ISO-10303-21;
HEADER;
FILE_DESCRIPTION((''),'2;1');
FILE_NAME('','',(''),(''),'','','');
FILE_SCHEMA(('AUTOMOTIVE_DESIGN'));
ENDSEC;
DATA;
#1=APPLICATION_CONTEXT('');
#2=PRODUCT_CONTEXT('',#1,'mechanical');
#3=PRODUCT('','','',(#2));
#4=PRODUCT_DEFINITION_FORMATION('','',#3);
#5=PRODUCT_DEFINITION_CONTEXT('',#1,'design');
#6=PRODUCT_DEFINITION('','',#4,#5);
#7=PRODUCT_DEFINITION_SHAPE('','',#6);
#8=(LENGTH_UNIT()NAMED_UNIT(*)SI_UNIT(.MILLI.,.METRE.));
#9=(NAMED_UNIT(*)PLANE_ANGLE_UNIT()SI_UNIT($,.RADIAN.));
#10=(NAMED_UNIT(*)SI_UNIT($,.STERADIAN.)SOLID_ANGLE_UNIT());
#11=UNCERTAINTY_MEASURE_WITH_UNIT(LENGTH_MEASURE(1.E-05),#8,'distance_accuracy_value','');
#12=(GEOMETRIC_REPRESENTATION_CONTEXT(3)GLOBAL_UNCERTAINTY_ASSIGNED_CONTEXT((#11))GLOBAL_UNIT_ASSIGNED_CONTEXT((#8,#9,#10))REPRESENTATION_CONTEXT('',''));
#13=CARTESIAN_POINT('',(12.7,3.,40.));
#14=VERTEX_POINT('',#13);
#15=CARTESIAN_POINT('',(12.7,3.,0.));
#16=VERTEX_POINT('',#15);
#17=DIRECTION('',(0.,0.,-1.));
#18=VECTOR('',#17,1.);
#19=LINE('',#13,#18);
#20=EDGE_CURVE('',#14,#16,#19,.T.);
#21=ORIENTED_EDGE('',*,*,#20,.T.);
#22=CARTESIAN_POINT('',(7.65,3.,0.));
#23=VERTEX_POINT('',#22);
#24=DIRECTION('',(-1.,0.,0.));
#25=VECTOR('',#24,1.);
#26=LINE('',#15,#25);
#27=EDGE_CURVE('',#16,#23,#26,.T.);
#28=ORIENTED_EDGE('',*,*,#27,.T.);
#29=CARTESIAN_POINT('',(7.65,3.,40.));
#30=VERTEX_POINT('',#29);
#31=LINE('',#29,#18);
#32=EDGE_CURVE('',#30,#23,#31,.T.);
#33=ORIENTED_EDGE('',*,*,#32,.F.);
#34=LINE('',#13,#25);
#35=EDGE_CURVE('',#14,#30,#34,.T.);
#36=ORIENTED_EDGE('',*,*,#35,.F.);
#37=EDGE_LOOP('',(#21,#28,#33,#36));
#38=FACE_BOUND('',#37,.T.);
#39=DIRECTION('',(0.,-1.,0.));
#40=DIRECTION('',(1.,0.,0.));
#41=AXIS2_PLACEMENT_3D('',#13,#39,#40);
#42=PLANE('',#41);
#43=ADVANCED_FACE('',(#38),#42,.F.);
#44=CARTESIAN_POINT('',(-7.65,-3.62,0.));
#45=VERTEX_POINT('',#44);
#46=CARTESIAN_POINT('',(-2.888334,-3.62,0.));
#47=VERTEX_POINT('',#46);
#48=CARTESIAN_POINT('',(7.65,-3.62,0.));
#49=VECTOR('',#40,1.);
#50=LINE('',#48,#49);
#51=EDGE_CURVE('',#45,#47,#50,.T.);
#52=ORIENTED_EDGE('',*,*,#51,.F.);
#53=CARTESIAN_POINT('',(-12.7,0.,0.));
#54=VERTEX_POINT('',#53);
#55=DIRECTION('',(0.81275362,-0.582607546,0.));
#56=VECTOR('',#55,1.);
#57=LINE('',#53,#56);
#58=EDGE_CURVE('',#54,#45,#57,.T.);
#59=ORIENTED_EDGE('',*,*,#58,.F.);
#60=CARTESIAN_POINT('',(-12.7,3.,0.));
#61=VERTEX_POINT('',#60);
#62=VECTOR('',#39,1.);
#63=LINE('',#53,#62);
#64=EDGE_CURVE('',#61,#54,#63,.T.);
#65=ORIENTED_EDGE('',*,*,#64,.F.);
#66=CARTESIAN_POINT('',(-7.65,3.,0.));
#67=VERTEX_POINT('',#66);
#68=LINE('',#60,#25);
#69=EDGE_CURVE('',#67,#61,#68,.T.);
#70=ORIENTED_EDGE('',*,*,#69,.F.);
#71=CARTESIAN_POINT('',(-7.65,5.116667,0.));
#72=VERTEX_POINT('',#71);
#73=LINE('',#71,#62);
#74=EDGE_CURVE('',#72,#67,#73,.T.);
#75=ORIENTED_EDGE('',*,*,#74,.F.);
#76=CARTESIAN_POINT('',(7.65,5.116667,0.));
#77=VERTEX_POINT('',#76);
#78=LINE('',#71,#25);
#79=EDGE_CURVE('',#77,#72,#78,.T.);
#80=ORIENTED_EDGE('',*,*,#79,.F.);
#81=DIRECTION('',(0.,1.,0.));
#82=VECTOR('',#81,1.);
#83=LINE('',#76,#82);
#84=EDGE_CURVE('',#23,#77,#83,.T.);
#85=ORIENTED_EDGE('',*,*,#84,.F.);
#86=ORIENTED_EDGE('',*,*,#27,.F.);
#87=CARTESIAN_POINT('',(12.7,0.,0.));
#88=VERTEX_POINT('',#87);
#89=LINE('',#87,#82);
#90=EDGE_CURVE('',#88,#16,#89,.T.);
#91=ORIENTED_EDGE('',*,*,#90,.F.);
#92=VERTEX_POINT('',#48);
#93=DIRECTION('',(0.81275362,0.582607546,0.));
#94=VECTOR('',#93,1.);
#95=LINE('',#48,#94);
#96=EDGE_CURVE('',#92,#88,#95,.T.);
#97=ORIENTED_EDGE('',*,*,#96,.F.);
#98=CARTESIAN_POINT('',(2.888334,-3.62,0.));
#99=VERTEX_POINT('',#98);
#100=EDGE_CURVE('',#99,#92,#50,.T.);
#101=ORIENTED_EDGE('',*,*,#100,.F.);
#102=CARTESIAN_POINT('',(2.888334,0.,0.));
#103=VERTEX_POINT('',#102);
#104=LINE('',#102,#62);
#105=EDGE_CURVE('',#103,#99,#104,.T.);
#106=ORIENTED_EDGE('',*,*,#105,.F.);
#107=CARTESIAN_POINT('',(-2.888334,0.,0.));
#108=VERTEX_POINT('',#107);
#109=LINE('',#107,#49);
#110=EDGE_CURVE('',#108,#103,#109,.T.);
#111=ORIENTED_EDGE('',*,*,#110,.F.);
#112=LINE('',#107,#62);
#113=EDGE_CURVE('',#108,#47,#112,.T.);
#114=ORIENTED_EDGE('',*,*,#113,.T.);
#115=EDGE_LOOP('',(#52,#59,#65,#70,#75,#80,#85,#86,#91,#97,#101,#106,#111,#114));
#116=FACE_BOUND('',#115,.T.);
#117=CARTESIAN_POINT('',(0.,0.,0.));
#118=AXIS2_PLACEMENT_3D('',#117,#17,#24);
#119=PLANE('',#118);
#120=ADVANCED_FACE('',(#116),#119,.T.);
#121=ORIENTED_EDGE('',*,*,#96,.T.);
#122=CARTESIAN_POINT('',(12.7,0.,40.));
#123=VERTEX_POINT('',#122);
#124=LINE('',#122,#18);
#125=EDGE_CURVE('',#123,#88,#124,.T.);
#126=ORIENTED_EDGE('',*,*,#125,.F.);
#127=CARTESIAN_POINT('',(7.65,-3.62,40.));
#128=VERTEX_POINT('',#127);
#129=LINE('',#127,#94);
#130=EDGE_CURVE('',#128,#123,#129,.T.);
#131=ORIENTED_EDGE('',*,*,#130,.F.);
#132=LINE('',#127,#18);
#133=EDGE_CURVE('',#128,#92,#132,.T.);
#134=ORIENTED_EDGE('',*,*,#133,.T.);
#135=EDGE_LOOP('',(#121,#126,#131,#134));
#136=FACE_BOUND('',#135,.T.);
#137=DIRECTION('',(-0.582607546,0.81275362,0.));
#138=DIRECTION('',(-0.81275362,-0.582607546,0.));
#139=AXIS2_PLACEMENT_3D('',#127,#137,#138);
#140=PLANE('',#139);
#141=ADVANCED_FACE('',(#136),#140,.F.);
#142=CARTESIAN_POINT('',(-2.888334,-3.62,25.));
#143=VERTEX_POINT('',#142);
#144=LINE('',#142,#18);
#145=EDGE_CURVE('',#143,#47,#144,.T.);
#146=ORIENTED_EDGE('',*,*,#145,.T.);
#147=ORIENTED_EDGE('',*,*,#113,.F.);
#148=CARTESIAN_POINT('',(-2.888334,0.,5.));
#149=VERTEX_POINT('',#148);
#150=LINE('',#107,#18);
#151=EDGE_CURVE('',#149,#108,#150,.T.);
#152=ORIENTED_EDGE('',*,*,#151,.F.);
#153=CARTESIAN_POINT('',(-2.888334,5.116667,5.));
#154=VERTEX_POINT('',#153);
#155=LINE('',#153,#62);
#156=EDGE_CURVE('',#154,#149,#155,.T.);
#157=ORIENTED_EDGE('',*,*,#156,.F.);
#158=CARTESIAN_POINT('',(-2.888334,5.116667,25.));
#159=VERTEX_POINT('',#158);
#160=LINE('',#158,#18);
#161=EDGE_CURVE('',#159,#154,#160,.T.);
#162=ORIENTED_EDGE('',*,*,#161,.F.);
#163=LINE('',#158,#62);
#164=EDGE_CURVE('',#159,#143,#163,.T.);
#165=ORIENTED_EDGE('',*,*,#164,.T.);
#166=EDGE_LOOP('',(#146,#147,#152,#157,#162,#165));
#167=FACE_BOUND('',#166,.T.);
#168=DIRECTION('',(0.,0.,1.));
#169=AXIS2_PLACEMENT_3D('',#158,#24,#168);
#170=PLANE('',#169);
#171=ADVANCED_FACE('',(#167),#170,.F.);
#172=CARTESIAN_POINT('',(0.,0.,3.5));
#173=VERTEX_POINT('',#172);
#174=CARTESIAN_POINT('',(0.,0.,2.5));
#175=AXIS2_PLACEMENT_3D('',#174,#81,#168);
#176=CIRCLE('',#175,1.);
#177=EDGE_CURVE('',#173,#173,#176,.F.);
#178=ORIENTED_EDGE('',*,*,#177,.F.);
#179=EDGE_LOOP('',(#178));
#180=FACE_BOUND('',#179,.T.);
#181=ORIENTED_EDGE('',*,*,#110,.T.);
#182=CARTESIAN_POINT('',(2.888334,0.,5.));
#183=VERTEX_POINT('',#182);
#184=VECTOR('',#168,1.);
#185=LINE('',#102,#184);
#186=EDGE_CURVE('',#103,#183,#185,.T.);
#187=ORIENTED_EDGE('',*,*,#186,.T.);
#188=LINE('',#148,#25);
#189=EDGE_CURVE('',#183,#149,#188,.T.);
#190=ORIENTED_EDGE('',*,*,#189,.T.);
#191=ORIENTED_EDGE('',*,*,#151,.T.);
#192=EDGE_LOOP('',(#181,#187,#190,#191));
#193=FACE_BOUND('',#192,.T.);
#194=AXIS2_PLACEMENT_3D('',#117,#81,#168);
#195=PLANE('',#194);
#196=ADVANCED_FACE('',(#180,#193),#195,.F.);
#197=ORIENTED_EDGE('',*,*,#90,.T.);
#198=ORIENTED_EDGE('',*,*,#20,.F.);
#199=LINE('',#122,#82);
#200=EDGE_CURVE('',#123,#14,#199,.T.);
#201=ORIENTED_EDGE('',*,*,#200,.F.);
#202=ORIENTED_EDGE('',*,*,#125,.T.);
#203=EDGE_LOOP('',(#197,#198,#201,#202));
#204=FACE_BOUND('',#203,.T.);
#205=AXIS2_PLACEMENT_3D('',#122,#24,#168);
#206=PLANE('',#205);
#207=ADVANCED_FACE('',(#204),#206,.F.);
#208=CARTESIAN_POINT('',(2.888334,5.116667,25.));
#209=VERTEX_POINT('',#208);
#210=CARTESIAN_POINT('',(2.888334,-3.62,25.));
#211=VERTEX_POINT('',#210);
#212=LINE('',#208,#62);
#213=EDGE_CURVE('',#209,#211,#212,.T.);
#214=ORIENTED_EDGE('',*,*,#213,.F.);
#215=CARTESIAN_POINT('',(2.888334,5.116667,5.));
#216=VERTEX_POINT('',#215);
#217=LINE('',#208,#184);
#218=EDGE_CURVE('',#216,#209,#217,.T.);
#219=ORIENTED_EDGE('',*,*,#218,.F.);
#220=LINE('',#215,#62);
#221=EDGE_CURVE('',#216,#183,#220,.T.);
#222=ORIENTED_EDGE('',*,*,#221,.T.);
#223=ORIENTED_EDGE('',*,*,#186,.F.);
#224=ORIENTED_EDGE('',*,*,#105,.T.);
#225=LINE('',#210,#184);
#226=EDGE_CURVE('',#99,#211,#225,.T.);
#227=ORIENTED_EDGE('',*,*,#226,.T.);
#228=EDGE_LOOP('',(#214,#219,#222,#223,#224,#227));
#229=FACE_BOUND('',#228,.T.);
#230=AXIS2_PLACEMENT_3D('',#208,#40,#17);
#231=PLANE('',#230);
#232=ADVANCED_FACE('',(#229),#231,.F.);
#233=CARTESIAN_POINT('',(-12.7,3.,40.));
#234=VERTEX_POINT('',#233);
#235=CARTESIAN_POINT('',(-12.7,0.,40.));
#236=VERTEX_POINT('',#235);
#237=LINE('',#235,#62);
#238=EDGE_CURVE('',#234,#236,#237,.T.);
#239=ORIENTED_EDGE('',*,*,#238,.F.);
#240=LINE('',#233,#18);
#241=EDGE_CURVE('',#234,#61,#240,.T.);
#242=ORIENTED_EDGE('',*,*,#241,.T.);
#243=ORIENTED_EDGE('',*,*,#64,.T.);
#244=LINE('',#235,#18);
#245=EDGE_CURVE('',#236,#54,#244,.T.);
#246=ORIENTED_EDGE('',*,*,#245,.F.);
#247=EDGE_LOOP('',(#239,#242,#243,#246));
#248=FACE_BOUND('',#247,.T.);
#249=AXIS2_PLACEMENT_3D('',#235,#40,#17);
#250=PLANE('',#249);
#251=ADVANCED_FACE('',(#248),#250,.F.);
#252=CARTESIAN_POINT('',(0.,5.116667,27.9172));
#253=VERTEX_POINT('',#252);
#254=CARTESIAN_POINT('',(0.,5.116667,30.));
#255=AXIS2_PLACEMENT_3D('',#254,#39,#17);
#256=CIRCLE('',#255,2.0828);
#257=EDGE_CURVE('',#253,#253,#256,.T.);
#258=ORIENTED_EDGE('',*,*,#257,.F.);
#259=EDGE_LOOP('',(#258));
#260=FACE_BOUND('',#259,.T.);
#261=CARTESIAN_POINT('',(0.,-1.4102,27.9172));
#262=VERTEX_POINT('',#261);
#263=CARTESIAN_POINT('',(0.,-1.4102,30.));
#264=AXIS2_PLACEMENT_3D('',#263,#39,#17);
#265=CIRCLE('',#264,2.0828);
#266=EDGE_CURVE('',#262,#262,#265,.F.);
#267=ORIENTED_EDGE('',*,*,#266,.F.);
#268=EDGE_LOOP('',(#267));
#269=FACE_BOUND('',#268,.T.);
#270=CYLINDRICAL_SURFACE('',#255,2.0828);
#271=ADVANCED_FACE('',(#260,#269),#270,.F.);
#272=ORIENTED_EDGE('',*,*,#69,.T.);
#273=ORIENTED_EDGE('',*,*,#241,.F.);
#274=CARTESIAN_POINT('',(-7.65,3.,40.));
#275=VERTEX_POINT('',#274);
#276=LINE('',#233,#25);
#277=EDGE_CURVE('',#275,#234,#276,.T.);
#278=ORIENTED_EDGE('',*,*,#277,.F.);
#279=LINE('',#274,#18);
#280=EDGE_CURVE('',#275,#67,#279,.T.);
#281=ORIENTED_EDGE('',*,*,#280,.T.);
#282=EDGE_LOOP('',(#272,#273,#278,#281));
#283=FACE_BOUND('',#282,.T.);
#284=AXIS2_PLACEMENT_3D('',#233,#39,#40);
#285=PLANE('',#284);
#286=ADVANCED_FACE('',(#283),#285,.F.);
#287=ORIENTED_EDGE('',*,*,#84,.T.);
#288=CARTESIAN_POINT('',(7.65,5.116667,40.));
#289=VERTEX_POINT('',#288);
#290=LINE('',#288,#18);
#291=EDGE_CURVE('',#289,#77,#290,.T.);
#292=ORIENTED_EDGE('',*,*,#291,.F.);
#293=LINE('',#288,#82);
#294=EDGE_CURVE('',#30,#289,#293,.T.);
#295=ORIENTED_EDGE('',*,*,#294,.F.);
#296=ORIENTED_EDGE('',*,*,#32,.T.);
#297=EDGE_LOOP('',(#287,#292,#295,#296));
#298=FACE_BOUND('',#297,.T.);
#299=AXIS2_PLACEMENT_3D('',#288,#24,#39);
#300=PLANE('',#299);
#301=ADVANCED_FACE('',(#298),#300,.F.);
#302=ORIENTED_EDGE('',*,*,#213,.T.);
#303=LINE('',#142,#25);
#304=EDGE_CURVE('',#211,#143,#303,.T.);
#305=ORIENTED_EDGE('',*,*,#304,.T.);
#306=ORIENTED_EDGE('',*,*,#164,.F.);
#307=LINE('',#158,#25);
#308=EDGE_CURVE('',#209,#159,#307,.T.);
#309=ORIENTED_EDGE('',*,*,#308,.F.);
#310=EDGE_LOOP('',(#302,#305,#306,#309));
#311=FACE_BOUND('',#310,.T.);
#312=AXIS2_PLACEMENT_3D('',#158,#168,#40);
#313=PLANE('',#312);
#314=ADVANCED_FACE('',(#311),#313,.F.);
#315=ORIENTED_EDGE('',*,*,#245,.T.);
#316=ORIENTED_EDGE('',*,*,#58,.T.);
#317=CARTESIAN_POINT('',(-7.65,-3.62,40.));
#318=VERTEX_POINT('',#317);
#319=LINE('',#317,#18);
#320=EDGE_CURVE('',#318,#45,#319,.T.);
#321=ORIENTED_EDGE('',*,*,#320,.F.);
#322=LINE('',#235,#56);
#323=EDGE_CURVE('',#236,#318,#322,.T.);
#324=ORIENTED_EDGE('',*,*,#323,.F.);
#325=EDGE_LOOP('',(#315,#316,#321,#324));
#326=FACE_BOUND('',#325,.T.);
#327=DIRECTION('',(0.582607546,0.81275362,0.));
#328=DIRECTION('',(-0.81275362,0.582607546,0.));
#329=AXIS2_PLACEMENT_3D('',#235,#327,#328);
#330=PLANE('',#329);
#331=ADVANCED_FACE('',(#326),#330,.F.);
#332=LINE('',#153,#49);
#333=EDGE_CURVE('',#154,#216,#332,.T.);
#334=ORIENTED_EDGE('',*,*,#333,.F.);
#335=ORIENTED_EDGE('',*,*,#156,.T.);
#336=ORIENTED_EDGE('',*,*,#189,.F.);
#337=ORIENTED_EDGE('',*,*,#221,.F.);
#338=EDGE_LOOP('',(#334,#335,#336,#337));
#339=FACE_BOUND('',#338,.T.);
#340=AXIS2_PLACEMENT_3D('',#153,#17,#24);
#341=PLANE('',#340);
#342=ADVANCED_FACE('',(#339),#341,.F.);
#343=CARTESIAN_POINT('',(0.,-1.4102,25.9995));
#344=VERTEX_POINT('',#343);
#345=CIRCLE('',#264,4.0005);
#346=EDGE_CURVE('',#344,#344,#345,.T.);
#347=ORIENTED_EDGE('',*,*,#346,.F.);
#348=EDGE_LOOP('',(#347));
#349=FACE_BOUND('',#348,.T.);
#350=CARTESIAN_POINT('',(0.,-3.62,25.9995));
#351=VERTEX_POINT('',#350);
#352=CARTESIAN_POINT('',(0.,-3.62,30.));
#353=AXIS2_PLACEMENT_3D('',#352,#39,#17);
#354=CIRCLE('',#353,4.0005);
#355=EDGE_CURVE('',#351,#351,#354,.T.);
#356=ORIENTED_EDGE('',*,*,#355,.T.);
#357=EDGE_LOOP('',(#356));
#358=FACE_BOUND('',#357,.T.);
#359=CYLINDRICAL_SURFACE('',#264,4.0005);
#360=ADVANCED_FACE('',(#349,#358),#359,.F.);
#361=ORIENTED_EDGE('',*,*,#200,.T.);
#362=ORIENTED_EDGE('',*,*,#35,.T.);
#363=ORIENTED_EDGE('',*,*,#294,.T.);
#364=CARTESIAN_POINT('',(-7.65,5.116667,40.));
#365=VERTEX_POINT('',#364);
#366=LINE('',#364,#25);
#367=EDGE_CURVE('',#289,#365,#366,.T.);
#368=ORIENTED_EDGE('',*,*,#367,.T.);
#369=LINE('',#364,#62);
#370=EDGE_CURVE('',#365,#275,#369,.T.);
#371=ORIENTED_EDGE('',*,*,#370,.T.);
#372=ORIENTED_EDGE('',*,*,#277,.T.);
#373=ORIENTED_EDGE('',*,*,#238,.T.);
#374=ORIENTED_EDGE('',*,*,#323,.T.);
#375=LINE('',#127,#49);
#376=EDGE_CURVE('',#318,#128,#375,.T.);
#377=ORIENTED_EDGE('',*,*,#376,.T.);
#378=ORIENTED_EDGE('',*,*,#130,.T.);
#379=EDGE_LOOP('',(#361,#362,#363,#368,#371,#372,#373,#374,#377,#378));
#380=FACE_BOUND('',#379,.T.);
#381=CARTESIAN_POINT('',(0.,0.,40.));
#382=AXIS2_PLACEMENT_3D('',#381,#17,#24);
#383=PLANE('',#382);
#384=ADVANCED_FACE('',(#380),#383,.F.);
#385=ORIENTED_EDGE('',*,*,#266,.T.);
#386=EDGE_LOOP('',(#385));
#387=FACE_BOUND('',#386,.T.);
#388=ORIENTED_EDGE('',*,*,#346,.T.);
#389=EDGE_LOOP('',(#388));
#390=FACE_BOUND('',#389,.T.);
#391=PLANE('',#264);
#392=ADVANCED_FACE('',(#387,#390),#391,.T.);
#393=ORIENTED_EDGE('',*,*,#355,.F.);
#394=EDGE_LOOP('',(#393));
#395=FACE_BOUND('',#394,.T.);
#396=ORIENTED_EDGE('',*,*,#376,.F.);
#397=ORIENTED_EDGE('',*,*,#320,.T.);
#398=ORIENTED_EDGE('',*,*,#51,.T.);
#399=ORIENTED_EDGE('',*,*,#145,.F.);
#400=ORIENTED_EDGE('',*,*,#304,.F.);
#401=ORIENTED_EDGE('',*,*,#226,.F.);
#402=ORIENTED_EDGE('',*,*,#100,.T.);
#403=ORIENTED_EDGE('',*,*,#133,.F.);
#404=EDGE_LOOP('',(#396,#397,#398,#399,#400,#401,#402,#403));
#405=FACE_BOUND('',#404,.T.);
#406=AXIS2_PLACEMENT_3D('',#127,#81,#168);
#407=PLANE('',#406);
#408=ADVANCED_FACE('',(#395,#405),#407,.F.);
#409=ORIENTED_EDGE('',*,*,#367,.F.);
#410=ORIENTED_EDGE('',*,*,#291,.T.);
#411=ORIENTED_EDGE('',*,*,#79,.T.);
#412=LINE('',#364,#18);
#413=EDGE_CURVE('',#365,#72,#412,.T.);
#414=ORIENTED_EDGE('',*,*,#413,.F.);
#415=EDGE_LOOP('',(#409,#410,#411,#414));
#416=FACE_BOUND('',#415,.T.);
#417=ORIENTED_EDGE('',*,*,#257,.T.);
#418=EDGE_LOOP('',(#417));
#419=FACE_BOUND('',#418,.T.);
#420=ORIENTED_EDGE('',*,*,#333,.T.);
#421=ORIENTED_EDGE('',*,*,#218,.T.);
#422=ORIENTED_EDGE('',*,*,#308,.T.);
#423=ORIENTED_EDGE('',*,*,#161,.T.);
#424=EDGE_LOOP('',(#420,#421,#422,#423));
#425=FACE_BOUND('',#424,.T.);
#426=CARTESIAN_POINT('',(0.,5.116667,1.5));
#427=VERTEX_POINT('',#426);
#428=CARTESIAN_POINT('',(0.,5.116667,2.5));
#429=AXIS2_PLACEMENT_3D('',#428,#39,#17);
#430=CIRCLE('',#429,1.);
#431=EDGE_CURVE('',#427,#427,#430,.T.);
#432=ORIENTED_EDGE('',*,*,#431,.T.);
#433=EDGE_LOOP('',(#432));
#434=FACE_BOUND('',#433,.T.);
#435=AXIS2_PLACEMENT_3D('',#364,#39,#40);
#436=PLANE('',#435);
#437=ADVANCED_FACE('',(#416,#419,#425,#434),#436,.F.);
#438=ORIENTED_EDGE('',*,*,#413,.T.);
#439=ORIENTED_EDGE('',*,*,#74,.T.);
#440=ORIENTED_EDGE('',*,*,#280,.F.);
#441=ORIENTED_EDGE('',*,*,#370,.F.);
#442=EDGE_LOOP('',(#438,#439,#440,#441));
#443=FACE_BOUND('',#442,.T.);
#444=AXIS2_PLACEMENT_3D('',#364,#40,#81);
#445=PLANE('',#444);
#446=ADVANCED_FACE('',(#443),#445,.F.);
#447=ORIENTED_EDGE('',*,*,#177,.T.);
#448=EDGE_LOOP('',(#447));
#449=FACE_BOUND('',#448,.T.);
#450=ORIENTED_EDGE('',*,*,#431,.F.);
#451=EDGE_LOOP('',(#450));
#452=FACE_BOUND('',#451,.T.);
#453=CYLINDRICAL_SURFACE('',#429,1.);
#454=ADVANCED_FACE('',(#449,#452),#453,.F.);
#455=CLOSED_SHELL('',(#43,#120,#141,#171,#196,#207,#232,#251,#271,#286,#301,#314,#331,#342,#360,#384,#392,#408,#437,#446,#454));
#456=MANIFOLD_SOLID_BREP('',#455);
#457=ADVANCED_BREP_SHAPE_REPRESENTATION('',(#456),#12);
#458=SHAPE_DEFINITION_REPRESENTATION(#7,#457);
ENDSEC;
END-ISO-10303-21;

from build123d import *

# Parameters (mm, degrees)
BOSS_EXTRUDE1_DEPTH = 40
SKETCH2_R           = 2.0828
SKETCH2_R_2         = 1
CUT_EXTRUDE1_DEPTH  = 43.867462538
SKETCH3_W           = 5.776667402
SKETCH3_H           = 20
CUT_EXTRUDE2_DEPTH  = 43.867462538
SKETCH4_W           = 5.776667402
SKETCH4_H           = 5
CUT_EXTRUDE3_DEPTH  = 3.62
SKETCH5_R           = 4.0005
CUT_EXTRUDE4_DEPTH  = 2.2098


with BuildPart() as part:
    # Sketch1 → Boss-Extrude1 (new body)
    with BuildSketch(Plane.XY):
        Polygon((-7.65, 5.116666667), (7.65, 5.116666667), (7.65, 3), (12.7, 3), (12.7, 0), (7.65, -3.62), (-7.65, -3.62), (-12.7, 0), (-12.7, 3), (-7.65, 3), align=None)
    extrude(amount=BOSS_EXTRUDE1_DEPTH)

    # Sketch2 → Cut-Extrude1 (cut, through all)
    with BuildSketch(Plane.XZ.offset(3.62)):
        with Locations(Location((0, 30, 0), (0, 0, 270))):
            Circle(SKETCH2_R)
        with Locations(Location((0, 2.5, 0), (0, 0, 270))):
            Circle(SKETCH2_R_2)
    extrude(amount=-CUT_EXTRUDE1_DEPTH, mode=Mode.SUBTRACT)

    # Sketch3 → Cut-Extrude2 (cut, through all)
    with BuildSketch(Plane.XZ.offset(3.62)):
        with Locations((0, 15)):
            Rectangle(SKETCH3_W, SKETCH3_H)
    extrude(amount=-CUT_EXTRUDE2_DEPTH, mode=Mode.SUBTRACT)

    # Sketch4 → Cut-Extrude3 (cut)
    with BuildSketch(Plane.XZ.offset(3.62)):
        with Locations((0, 2.5)):
            Rectangle(SKETCH4_W, SKETCH4_H)
    extrude(amount=-CUT_EXTRUDE3_DEPTH, mode=Mode.SUBTRACT)

    # Sketch5 → Cut-Extrude4 (cut)
    with BuildSketch(Plane.XZ.offset(3.62)):
        with Locations(Location((0, 30, 0), (0, 0, 270))):
            Circle(SKETCH5_R)
    extrude(amount=-CUT_EXTRUDE4_DEPTH, mode=Mode.SUBTRACT)


solid = part.part
